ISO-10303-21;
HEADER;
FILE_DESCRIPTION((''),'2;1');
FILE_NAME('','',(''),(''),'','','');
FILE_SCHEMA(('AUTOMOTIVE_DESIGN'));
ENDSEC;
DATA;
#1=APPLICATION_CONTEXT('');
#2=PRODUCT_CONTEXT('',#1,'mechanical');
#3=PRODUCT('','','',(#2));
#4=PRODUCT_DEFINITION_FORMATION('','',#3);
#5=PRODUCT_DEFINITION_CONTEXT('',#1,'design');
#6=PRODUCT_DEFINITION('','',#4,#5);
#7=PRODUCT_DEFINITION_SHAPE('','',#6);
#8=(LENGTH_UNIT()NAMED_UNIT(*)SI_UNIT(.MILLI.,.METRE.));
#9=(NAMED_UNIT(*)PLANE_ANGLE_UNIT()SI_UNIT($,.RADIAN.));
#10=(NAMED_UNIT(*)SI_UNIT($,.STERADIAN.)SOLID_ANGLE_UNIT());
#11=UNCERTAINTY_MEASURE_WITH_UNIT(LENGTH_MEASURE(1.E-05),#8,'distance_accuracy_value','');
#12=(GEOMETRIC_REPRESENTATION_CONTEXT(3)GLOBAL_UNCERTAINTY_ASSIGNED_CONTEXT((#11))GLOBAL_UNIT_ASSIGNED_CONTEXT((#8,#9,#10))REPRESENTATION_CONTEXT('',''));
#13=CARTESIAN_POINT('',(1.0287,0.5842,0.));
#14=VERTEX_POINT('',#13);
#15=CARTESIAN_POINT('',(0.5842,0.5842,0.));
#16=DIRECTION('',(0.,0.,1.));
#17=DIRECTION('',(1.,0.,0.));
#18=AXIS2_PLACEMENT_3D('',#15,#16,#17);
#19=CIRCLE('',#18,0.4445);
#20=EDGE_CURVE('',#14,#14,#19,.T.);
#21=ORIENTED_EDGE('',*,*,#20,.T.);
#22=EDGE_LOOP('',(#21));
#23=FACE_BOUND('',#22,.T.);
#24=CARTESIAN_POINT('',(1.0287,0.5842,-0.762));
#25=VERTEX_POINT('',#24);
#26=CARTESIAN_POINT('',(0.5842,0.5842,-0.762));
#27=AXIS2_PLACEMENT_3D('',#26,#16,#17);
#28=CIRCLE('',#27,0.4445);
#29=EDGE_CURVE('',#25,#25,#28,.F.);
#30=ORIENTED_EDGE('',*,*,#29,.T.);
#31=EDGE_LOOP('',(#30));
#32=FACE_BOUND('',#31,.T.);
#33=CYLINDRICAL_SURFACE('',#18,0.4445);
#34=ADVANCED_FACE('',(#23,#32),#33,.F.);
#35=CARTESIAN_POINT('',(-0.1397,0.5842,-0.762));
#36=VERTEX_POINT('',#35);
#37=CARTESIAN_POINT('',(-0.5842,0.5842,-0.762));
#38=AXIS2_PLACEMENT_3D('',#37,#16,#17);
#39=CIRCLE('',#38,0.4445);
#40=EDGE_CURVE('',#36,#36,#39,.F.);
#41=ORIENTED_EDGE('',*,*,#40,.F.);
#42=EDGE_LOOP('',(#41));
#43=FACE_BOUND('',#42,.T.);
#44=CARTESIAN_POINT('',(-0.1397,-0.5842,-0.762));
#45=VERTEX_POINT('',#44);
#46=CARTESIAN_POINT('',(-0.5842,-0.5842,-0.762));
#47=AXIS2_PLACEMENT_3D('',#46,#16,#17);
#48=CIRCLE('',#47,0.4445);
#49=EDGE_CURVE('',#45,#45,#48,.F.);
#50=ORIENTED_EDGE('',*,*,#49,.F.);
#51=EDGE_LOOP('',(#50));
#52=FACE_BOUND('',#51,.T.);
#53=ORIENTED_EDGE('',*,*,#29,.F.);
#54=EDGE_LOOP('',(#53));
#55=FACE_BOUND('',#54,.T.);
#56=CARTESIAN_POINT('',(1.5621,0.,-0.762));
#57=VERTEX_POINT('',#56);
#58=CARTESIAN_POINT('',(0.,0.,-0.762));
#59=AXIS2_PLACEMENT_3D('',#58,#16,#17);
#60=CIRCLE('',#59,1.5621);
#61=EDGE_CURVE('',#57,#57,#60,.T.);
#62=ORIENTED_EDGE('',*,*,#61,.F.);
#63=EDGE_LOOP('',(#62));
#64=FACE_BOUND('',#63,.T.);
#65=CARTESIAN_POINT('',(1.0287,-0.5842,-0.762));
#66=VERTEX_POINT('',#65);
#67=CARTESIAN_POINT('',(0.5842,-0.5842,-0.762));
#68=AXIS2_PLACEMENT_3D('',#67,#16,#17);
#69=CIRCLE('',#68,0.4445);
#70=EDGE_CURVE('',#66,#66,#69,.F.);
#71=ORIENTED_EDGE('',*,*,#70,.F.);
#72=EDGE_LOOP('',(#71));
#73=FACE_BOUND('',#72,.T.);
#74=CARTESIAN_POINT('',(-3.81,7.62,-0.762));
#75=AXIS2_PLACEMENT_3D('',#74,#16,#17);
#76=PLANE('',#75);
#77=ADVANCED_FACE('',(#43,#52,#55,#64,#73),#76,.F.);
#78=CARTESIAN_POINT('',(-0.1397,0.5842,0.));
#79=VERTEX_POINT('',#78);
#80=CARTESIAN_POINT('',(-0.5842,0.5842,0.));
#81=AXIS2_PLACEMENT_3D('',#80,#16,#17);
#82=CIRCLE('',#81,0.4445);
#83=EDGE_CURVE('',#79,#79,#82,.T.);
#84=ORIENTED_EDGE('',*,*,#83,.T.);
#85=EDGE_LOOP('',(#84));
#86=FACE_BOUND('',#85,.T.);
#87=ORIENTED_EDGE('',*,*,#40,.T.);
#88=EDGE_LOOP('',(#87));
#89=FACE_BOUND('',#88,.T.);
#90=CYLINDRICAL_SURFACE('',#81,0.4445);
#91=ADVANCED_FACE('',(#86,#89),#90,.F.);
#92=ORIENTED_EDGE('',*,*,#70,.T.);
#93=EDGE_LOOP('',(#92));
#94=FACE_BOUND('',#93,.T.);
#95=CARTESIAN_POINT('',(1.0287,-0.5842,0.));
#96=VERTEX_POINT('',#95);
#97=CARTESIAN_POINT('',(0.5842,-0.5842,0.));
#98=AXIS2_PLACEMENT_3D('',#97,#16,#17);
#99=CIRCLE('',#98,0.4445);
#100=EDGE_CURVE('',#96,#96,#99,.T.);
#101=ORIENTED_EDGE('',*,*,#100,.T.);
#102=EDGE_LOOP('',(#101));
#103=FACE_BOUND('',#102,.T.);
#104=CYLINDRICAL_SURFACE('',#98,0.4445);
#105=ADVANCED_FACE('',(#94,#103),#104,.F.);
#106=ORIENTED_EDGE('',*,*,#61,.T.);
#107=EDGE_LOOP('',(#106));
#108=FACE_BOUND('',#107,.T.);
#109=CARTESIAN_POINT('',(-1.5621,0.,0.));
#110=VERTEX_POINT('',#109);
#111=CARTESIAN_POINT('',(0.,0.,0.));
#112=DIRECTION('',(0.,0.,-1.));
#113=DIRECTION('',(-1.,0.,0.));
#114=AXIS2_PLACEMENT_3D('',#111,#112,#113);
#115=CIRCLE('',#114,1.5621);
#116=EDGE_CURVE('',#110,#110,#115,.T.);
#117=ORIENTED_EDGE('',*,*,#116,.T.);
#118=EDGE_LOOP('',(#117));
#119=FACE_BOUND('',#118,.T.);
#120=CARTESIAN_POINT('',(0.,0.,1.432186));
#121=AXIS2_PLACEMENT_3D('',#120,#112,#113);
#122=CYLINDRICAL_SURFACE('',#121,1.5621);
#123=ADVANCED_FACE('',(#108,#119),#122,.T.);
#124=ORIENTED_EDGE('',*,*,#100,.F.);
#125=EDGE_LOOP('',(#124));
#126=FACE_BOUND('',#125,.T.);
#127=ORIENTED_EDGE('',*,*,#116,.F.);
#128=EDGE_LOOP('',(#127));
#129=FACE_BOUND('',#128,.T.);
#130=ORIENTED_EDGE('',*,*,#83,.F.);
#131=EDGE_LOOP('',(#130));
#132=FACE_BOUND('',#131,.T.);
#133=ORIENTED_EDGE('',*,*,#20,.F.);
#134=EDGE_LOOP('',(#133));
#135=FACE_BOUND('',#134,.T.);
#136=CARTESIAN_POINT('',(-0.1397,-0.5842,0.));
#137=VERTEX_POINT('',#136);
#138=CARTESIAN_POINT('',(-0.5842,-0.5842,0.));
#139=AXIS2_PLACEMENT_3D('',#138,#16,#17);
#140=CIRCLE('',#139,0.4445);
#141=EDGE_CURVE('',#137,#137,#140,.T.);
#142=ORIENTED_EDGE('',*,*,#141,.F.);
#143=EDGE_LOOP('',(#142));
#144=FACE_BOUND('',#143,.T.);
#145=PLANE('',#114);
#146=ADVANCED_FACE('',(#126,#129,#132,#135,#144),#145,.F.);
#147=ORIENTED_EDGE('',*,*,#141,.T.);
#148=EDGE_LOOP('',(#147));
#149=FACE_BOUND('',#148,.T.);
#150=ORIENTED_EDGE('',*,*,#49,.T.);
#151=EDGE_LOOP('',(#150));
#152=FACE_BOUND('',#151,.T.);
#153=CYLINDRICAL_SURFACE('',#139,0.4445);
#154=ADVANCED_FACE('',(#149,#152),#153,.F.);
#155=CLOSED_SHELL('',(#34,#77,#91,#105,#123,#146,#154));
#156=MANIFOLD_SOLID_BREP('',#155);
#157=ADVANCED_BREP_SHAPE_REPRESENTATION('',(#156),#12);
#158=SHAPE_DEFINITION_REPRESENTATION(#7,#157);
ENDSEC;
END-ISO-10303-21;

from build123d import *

# Parameters (mm, degrees)
SKETCH1_W                       = 12.7
SKETCH1_H                       = 1.5875
F_65_0_035_DIAMETER_HOLE1_D     = 0.889
F_65_0_035_DIAMETER_HOLE1_DEPTH = 9.525
F_65_0_035_DIAMETER_HOLE1_TIP   = 0.267082545
SKETCH5_W                       = 15.24
SKETCH5_H                       = 15.24
CUT_EXTRUDE1_DEPTH              = 3.81


with BuildPart() as part:
    # Sketch1 → Revolve1 (revolve)
    with BuildSketch(Plane(origin=(0, 0, 0), x_dir=(0, 0, -1), z_dir=(1, 0, 0))):
        with Locations((6.2484, 0.79375)):
            Rectangle(SKETCH1_W, SKETCH1_H)
    revolve(axis=Axis((0, 0, 0.1016), (0, 0, 1)))

    # Sketch2 → Cut-Revolve1 (revolve, cut)
    with BuildSketch(Plane(origin=(0, 0, 0), x_dir=(0, 0, -1), z_dir=(1, 0, 0)), mode=Mode.PRIVATE) as cut_revolve1_sk:
        Polygon((0, 0), (0, 1.5621), (4.4414817, 1.5621), (5.314787903, 2.435406202), (-1.432186341, 2.435406202), (-1.432186341, 0), align=None)
    revolve(cut_revolve1_sk.sketch.rotate(Axis((0, 0, 1.432186341), (0, 0, 1)), 90), axis=Axis((0, 0, 1.432186341), (0, 0, 1)), mode=Mode.SUBTRACT)

    # #65 (0.035) Diameter Hole1
    with Locations(Plane.XY):
        with Locations((0.5842, 0.5842), (-0.5842, 0.5842), (-0.5842, -0.5842), (0.5842, -0.5842)):
            Hole(F_65_0_035_DIAMETER_HOLE1_D / 2, depth=F_65_0_035_DIAMETER_HOLE1_DEPTH)
            with Locations((0, 0, -(F_65_0_035_DIAMETER_HOLE1_DEPTH + F_65_0_035_DIAMETER_HOLE1_TIP / 2))):  # 118° drill point
                Cone(0, F_65_0_035_DIAMETER_HOLE1_D / 2, F_65_0_035_DIAMETER_HOLE1_TIP, mode=Mode.SUBTRACT)

    # Sketch5 → Cut-Extrude1 (cut, symmetric)
    with BuildSketch(Plane(origin=(0, 0, 0), x_dir=(0, 0, -1), z_dir=(1, 0, 0))):
        with Locations((8.382, 0)):
            Rectangle(SKETCH5_W, SKETCH5_H)
    extrude(amount=CUT_EXTRUDE1_DEPTH, both=True, mode=Mode.SUBTRACT)


solid = part.part
